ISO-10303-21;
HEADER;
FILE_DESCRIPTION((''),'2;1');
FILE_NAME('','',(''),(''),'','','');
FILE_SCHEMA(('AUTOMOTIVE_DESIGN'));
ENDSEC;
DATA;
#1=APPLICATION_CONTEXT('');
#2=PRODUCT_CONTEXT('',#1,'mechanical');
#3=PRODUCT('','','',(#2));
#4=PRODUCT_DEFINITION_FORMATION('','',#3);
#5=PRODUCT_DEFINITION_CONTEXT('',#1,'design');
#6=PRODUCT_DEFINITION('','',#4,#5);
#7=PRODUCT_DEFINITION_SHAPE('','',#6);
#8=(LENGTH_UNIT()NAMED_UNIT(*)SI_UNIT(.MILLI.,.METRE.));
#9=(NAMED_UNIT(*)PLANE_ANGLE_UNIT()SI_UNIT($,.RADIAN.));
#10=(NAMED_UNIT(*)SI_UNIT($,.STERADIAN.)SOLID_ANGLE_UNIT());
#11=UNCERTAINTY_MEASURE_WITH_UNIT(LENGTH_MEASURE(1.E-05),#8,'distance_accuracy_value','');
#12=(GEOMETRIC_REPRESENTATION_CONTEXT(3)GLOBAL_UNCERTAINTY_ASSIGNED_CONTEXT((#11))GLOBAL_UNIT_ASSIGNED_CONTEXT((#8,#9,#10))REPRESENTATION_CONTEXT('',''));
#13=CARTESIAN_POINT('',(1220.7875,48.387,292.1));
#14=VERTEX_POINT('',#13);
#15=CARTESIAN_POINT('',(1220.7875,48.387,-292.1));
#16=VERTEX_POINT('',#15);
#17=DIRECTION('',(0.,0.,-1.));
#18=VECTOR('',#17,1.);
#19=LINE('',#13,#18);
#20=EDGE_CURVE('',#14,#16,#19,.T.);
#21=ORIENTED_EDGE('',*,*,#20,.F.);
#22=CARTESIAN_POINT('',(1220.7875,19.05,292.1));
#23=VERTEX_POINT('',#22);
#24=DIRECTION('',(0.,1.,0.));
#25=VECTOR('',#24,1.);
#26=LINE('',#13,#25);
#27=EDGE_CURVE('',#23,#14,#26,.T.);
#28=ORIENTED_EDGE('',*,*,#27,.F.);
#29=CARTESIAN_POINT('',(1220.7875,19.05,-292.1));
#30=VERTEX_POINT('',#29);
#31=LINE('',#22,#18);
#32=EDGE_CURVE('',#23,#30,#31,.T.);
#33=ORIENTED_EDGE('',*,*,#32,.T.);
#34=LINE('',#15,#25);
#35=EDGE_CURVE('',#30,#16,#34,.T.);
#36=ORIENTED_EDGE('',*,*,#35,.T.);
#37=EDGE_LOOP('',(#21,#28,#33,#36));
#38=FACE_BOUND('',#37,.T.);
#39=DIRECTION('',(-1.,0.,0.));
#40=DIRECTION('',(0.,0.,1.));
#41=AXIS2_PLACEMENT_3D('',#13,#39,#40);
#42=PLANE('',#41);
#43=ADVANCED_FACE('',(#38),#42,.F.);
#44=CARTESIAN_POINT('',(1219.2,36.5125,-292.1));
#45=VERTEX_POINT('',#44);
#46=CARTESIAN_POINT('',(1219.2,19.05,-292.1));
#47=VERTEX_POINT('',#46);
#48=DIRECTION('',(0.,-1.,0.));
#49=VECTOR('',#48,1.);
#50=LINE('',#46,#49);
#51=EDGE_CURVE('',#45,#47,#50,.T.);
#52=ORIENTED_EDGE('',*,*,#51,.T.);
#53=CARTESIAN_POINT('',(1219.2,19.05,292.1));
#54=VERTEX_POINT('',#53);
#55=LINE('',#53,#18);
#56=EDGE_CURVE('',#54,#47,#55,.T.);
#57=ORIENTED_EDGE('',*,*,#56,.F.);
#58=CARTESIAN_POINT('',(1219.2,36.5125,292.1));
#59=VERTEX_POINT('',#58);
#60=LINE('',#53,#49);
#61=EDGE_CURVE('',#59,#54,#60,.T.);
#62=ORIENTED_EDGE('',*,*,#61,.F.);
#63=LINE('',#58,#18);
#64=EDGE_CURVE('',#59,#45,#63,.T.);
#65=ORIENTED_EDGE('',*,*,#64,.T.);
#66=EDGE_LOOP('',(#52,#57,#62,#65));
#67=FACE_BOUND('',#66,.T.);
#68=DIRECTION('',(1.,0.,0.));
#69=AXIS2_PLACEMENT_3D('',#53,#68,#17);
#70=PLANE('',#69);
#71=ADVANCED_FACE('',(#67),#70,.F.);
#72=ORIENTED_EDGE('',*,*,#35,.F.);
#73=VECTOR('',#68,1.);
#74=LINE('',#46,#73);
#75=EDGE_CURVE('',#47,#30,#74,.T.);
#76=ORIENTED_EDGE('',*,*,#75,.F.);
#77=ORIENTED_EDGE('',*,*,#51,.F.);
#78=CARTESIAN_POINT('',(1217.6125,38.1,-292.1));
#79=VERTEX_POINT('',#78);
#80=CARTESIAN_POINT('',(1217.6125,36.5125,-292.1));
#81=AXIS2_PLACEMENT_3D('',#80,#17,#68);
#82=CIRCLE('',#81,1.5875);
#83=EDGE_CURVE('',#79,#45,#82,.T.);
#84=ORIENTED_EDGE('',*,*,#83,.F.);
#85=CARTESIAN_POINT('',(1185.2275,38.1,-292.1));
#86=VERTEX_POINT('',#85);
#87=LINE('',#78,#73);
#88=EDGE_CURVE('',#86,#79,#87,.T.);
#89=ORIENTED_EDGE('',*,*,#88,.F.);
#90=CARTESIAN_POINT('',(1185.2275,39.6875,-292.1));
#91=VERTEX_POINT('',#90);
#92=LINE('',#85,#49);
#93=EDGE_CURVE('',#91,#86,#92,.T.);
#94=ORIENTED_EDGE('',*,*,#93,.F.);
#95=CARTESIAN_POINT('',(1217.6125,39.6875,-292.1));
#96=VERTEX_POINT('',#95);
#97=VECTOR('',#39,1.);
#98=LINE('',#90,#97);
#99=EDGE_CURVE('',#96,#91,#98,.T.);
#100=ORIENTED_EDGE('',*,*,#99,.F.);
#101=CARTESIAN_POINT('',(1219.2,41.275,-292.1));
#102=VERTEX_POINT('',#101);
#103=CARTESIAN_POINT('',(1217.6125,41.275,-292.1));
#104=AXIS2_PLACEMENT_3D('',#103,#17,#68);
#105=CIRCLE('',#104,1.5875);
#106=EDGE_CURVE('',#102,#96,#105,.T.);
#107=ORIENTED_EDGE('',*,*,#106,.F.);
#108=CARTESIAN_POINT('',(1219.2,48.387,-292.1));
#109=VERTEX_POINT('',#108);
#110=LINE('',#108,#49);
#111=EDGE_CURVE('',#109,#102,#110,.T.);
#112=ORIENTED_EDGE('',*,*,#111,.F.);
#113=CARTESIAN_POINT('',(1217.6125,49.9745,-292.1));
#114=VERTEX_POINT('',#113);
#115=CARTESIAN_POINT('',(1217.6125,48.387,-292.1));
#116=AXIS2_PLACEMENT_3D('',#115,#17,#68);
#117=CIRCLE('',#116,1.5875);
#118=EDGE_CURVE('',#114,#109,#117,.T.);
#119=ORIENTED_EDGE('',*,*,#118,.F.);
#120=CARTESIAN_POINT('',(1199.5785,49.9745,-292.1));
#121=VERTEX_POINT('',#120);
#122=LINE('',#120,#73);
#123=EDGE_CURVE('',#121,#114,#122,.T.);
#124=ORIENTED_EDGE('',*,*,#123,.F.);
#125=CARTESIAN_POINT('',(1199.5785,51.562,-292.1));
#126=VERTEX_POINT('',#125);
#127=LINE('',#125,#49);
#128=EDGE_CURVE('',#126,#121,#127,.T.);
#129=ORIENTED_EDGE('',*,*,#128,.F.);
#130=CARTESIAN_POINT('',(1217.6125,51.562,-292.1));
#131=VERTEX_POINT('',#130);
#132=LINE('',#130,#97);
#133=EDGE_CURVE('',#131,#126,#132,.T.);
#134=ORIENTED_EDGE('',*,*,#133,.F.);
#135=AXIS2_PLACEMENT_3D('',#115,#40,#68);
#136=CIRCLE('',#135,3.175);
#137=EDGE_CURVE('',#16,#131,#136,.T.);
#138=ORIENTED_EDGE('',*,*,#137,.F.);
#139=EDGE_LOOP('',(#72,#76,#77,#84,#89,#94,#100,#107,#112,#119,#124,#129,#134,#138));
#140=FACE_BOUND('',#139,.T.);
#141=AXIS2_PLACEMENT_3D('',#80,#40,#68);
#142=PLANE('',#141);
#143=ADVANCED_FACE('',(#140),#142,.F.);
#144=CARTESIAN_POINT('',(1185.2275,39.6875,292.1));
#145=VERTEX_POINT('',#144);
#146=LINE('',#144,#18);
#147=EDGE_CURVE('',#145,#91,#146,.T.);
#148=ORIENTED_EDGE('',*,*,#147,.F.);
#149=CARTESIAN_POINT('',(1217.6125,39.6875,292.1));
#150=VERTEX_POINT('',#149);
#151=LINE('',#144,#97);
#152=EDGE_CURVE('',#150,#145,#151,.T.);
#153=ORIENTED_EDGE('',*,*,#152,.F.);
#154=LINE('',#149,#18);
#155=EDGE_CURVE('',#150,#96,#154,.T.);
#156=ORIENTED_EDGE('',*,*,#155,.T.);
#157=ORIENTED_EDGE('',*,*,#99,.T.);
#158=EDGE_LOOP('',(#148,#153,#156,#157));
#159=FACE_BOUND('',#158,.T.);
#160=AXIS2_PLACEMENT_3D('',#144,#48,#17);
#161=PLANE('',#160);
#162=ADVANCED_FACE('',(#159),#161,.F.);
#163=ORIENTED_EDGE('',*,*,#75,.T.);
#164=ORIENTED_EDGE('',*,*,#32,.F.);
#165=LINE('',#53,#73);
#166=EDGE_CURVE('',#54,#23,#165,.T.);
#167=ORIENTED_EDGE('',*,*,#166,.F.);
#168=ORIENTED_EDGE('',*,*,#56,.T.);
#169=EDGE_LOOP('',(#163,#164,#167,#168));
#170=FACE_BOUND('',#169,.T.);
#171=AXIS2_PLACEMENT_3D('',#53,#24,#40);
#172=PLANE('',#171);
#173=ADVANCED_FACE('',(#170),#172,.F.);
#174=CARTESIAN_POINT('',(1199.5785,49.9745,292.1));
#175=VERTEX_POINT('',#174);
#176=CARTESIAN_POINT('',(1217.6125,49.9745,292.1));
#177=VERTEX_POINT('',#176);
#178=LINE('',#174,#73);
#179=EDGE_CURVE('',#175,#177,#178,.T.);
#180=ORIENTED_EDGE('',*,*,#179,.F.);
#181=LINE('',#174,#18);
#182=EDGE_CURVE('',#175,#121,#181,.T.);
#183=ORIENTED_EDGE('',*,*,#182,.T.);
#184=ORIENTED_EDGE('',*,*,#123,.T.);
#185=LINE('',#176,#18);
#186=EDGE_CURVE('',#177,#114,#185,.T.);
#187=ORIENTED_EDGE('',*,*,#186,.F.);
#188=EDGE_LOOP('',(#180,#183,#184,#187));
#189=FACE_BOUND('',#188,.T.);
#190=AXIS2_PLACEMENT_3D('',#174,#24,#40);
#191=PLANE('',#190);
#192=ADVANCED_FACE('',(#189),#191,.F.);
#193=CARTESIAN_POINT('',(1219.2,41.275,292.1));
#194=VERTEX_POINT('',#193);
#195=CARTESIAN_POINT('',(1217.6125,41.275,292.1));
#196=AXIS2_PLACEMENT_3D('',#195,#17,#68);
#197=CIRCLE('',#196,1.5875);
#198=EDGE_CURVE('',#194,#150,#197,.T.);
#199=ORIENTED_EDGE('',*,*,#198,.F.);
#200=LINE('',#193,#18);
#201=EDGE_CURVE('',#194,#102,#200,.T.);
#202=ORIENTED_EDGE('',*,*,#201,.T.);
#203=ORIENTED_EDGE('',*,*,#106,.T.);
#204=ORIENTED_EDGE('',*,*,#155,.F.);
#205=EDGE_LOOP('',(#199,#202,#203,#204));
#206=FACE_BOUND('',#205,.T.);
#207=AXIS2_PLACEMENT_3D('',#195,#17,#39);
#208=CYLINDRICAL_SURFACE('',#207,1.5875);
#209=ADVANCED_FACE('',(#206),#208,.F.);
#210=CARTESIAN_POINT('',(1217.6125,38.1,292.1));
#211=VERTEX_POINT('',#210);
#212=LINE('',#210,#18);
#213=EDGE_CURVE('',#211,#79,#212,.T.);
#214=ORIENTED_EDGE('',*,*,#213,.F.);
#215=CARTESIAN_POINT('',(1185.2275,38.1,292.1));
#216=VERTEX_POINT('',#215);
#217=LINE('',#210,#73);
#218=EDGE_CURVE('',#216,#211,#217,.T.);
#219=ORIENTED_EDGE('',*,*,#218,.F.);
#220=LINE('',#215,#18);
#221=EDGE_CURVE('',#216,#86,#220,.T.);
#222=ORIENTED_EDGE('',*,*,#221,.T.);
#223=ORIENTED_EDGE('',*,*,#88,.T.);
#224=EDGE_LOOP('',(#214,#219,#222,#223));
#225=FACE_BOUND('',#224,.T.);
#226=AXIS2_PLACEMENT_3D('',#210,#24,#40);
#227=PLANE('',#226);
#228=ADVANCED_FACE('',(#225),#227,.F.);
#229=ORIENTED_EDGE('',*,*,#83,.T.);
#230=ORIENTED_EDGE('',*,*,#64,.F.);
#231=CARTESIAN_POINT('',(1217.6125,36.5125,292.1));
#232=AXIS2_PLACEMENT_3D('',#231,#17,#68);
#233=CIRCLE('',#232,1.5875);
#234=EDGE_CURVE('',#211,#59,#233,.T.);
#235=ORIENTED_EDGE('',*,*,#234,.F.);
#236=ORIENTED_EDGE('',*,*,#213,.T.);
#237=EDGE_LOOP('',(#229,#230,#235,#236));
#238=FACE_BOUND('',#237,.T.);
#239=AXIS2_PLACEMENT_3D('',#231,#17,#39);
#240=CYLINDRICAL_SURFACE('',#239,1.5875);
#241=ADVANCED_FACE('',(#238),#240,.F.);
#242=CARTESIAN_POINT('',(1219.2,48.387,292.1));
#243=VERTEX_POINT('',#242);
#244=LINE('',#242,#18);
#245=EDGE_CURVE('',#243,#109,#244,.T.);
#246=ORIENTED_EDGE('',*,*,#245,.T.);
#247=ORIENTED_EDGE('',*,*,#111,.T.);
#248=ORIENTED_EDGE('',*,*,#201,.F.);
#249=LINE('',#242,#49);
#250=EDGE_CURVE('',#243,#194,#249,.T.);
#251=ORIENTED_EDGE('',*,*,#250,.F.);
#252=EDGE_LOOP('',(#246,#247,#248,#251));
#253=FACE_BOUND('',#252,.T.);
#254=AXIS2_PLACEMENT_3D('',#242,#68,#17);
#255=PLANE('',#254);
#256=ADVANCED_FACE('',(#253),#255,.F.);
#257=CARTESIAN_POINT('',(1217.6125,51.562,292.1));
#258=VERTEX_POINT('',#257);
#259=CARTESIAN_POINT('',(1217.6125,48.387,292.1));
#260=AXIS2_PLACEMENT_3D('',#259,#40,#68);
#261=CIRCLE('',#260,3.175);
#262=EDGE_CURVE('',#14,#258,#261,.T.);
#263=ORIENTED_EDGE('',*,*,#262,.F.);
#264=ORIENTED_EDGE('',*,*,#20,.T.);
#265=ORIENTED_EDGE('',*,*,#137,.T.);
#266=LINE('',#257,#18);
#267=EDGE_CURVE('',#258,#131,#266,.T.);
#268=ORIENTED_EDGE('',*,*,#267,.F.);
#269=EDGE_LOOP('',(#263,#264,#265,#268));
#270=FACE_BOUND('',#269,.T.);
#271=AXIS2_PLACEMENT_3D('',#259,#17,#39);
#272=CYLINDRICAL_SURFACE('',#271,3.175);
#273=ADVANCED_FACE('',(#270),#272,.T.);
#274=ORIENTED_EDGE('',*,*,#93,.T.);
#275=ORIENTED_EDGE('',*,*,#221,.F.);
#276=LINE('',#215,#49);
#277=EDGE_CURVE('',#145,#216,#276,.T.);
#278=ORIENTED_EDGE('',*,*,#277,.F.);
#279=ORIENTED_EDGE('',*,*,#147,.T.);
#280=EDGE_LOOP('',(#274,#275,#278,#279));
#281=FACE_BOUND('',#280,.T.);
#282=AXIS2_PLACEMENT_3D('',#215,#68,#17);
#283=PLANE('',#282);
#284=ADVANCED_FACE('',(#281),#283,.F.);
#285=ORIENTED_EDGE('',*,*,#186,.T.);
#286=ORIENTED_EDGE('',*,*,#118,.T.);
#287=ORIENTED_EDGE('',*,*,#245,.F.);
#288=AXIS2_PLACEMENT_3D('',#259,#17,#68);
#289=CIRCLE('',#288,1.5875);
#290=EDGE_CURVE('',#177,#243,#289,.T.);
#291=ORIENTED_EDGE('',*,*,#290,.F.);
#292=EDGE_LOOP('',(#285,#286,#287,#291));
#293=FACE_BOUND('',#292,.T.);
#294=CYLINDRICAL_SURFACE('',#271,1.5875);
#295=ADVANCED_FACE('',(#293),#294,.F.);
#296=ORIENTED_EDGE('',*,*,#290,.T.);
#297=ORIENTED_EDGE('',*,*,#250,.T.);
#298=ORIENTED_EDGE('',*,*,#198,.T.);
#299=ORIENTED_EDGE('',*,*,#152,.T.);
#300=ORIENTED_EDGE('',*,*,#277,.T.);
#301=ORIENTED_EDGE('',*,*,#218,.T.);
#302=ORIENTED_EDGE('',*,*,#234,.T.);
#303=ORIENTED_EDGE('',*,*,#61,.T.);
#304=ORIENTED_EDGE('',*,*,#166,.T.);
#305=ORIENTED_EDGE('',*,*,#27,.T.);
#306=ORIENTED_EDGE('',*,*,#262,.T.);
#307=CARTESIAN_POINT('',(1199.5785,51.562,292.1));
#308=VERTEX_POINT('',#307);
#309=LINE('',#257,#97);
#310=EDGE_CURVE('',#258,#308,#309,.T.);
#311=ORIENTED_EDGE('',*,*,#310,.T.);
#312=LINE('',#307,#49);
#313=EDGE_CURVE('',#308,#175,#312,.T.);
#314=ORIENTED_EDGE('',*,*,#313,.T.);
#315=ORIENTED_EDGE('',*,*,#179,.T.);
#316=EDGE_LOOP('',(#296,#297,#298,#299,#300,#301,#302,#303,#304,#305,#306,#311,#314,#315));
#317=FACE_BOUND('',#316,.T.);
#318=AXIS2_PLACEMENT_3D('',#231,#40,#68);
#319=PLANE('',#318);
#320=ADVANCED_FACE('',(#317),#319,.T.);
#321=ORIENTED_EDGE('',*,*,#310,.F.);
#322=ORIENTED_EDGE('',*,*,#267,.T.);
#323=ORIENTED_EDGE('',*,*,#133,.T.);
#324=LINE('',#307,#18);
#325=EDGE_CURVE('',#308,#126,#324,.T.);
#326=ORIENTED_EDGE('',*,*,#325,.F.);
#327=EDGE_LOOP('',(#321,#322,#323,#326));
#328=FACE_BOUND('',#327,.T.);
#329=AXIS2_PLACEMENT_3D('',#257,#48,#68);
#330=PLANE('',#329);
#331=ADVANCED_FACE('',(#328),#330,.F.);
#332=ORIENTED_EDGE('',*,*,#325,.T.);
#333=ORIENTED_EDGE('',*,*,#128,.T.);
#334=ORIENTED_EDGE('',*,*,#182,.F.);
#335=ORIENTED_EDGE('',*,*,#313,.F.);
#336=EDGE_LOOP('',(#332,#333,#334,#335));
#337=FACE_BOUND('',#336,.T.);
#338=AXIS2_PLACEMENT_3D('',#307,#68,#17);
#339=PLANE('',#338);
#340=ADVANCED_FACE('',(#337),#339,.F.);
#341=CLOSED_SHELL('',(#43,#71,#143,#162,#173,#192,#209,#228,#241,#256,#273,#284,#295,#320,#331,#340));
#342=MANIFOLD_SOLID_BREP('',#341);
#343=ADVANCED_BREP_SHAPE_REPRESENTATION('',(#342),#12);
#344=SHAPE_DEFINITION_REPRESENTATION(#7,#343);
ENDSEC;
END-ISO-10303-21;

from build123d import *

# Parameters (mm, degrees)
EXTRUDE1_DEPTH = 292.1


with BuildPart() as part:
    # Sketch1 → Extrude1 (new body, symmetric)
    with BuildSketch(Plane.XY):
        with BuildLine():
            Line((1219.2, 19.05), (1219.2, 36.5125))
            ThreePointArc((1219.2, 36.5125), (1218.735032015, 37.635032015), (1217.6125, 38.1))
            Line((1217.6125, 38.1), (1185.2275, 38.1))
            Line((1185.2275, 38.1), (1185.2275, 39.6875))
            Line((1185.2275, 39.6875), (1217.6125, 39.6875))
            ThreePointArc((1217.6125, 39.6875), (1218.735032015, 40.152467985), (1219.2, 41.275))
            Line((1219.2, 41.275), (1219.2, 48.387))
            ThreePointArc((1219.2, 48.387), (1218.735032015, 49.509532015), (1217.6125, 49.9745))
            Line((1217.6125, 49.9745), (1199.5785, 49.9745))
            Line((1199.5785, 49.9745), (1199.5785, 51.562))
            Line((1199.5785, 51.562), (1217.6125, 51.562))
            ThreePointArc((1217.6125, 51.562), (1219.85756403, 50.63206403), (1220.7875, 48.387))
            Line((1220.7875, 48.387), (1220.7875, 19.05))
            Line((1220.7875, 19.05), (1219.2, 19.05))
        make_face()
    extrude(amount=EXTRUDE1_DEPTH, both=True)


solid = part.part
